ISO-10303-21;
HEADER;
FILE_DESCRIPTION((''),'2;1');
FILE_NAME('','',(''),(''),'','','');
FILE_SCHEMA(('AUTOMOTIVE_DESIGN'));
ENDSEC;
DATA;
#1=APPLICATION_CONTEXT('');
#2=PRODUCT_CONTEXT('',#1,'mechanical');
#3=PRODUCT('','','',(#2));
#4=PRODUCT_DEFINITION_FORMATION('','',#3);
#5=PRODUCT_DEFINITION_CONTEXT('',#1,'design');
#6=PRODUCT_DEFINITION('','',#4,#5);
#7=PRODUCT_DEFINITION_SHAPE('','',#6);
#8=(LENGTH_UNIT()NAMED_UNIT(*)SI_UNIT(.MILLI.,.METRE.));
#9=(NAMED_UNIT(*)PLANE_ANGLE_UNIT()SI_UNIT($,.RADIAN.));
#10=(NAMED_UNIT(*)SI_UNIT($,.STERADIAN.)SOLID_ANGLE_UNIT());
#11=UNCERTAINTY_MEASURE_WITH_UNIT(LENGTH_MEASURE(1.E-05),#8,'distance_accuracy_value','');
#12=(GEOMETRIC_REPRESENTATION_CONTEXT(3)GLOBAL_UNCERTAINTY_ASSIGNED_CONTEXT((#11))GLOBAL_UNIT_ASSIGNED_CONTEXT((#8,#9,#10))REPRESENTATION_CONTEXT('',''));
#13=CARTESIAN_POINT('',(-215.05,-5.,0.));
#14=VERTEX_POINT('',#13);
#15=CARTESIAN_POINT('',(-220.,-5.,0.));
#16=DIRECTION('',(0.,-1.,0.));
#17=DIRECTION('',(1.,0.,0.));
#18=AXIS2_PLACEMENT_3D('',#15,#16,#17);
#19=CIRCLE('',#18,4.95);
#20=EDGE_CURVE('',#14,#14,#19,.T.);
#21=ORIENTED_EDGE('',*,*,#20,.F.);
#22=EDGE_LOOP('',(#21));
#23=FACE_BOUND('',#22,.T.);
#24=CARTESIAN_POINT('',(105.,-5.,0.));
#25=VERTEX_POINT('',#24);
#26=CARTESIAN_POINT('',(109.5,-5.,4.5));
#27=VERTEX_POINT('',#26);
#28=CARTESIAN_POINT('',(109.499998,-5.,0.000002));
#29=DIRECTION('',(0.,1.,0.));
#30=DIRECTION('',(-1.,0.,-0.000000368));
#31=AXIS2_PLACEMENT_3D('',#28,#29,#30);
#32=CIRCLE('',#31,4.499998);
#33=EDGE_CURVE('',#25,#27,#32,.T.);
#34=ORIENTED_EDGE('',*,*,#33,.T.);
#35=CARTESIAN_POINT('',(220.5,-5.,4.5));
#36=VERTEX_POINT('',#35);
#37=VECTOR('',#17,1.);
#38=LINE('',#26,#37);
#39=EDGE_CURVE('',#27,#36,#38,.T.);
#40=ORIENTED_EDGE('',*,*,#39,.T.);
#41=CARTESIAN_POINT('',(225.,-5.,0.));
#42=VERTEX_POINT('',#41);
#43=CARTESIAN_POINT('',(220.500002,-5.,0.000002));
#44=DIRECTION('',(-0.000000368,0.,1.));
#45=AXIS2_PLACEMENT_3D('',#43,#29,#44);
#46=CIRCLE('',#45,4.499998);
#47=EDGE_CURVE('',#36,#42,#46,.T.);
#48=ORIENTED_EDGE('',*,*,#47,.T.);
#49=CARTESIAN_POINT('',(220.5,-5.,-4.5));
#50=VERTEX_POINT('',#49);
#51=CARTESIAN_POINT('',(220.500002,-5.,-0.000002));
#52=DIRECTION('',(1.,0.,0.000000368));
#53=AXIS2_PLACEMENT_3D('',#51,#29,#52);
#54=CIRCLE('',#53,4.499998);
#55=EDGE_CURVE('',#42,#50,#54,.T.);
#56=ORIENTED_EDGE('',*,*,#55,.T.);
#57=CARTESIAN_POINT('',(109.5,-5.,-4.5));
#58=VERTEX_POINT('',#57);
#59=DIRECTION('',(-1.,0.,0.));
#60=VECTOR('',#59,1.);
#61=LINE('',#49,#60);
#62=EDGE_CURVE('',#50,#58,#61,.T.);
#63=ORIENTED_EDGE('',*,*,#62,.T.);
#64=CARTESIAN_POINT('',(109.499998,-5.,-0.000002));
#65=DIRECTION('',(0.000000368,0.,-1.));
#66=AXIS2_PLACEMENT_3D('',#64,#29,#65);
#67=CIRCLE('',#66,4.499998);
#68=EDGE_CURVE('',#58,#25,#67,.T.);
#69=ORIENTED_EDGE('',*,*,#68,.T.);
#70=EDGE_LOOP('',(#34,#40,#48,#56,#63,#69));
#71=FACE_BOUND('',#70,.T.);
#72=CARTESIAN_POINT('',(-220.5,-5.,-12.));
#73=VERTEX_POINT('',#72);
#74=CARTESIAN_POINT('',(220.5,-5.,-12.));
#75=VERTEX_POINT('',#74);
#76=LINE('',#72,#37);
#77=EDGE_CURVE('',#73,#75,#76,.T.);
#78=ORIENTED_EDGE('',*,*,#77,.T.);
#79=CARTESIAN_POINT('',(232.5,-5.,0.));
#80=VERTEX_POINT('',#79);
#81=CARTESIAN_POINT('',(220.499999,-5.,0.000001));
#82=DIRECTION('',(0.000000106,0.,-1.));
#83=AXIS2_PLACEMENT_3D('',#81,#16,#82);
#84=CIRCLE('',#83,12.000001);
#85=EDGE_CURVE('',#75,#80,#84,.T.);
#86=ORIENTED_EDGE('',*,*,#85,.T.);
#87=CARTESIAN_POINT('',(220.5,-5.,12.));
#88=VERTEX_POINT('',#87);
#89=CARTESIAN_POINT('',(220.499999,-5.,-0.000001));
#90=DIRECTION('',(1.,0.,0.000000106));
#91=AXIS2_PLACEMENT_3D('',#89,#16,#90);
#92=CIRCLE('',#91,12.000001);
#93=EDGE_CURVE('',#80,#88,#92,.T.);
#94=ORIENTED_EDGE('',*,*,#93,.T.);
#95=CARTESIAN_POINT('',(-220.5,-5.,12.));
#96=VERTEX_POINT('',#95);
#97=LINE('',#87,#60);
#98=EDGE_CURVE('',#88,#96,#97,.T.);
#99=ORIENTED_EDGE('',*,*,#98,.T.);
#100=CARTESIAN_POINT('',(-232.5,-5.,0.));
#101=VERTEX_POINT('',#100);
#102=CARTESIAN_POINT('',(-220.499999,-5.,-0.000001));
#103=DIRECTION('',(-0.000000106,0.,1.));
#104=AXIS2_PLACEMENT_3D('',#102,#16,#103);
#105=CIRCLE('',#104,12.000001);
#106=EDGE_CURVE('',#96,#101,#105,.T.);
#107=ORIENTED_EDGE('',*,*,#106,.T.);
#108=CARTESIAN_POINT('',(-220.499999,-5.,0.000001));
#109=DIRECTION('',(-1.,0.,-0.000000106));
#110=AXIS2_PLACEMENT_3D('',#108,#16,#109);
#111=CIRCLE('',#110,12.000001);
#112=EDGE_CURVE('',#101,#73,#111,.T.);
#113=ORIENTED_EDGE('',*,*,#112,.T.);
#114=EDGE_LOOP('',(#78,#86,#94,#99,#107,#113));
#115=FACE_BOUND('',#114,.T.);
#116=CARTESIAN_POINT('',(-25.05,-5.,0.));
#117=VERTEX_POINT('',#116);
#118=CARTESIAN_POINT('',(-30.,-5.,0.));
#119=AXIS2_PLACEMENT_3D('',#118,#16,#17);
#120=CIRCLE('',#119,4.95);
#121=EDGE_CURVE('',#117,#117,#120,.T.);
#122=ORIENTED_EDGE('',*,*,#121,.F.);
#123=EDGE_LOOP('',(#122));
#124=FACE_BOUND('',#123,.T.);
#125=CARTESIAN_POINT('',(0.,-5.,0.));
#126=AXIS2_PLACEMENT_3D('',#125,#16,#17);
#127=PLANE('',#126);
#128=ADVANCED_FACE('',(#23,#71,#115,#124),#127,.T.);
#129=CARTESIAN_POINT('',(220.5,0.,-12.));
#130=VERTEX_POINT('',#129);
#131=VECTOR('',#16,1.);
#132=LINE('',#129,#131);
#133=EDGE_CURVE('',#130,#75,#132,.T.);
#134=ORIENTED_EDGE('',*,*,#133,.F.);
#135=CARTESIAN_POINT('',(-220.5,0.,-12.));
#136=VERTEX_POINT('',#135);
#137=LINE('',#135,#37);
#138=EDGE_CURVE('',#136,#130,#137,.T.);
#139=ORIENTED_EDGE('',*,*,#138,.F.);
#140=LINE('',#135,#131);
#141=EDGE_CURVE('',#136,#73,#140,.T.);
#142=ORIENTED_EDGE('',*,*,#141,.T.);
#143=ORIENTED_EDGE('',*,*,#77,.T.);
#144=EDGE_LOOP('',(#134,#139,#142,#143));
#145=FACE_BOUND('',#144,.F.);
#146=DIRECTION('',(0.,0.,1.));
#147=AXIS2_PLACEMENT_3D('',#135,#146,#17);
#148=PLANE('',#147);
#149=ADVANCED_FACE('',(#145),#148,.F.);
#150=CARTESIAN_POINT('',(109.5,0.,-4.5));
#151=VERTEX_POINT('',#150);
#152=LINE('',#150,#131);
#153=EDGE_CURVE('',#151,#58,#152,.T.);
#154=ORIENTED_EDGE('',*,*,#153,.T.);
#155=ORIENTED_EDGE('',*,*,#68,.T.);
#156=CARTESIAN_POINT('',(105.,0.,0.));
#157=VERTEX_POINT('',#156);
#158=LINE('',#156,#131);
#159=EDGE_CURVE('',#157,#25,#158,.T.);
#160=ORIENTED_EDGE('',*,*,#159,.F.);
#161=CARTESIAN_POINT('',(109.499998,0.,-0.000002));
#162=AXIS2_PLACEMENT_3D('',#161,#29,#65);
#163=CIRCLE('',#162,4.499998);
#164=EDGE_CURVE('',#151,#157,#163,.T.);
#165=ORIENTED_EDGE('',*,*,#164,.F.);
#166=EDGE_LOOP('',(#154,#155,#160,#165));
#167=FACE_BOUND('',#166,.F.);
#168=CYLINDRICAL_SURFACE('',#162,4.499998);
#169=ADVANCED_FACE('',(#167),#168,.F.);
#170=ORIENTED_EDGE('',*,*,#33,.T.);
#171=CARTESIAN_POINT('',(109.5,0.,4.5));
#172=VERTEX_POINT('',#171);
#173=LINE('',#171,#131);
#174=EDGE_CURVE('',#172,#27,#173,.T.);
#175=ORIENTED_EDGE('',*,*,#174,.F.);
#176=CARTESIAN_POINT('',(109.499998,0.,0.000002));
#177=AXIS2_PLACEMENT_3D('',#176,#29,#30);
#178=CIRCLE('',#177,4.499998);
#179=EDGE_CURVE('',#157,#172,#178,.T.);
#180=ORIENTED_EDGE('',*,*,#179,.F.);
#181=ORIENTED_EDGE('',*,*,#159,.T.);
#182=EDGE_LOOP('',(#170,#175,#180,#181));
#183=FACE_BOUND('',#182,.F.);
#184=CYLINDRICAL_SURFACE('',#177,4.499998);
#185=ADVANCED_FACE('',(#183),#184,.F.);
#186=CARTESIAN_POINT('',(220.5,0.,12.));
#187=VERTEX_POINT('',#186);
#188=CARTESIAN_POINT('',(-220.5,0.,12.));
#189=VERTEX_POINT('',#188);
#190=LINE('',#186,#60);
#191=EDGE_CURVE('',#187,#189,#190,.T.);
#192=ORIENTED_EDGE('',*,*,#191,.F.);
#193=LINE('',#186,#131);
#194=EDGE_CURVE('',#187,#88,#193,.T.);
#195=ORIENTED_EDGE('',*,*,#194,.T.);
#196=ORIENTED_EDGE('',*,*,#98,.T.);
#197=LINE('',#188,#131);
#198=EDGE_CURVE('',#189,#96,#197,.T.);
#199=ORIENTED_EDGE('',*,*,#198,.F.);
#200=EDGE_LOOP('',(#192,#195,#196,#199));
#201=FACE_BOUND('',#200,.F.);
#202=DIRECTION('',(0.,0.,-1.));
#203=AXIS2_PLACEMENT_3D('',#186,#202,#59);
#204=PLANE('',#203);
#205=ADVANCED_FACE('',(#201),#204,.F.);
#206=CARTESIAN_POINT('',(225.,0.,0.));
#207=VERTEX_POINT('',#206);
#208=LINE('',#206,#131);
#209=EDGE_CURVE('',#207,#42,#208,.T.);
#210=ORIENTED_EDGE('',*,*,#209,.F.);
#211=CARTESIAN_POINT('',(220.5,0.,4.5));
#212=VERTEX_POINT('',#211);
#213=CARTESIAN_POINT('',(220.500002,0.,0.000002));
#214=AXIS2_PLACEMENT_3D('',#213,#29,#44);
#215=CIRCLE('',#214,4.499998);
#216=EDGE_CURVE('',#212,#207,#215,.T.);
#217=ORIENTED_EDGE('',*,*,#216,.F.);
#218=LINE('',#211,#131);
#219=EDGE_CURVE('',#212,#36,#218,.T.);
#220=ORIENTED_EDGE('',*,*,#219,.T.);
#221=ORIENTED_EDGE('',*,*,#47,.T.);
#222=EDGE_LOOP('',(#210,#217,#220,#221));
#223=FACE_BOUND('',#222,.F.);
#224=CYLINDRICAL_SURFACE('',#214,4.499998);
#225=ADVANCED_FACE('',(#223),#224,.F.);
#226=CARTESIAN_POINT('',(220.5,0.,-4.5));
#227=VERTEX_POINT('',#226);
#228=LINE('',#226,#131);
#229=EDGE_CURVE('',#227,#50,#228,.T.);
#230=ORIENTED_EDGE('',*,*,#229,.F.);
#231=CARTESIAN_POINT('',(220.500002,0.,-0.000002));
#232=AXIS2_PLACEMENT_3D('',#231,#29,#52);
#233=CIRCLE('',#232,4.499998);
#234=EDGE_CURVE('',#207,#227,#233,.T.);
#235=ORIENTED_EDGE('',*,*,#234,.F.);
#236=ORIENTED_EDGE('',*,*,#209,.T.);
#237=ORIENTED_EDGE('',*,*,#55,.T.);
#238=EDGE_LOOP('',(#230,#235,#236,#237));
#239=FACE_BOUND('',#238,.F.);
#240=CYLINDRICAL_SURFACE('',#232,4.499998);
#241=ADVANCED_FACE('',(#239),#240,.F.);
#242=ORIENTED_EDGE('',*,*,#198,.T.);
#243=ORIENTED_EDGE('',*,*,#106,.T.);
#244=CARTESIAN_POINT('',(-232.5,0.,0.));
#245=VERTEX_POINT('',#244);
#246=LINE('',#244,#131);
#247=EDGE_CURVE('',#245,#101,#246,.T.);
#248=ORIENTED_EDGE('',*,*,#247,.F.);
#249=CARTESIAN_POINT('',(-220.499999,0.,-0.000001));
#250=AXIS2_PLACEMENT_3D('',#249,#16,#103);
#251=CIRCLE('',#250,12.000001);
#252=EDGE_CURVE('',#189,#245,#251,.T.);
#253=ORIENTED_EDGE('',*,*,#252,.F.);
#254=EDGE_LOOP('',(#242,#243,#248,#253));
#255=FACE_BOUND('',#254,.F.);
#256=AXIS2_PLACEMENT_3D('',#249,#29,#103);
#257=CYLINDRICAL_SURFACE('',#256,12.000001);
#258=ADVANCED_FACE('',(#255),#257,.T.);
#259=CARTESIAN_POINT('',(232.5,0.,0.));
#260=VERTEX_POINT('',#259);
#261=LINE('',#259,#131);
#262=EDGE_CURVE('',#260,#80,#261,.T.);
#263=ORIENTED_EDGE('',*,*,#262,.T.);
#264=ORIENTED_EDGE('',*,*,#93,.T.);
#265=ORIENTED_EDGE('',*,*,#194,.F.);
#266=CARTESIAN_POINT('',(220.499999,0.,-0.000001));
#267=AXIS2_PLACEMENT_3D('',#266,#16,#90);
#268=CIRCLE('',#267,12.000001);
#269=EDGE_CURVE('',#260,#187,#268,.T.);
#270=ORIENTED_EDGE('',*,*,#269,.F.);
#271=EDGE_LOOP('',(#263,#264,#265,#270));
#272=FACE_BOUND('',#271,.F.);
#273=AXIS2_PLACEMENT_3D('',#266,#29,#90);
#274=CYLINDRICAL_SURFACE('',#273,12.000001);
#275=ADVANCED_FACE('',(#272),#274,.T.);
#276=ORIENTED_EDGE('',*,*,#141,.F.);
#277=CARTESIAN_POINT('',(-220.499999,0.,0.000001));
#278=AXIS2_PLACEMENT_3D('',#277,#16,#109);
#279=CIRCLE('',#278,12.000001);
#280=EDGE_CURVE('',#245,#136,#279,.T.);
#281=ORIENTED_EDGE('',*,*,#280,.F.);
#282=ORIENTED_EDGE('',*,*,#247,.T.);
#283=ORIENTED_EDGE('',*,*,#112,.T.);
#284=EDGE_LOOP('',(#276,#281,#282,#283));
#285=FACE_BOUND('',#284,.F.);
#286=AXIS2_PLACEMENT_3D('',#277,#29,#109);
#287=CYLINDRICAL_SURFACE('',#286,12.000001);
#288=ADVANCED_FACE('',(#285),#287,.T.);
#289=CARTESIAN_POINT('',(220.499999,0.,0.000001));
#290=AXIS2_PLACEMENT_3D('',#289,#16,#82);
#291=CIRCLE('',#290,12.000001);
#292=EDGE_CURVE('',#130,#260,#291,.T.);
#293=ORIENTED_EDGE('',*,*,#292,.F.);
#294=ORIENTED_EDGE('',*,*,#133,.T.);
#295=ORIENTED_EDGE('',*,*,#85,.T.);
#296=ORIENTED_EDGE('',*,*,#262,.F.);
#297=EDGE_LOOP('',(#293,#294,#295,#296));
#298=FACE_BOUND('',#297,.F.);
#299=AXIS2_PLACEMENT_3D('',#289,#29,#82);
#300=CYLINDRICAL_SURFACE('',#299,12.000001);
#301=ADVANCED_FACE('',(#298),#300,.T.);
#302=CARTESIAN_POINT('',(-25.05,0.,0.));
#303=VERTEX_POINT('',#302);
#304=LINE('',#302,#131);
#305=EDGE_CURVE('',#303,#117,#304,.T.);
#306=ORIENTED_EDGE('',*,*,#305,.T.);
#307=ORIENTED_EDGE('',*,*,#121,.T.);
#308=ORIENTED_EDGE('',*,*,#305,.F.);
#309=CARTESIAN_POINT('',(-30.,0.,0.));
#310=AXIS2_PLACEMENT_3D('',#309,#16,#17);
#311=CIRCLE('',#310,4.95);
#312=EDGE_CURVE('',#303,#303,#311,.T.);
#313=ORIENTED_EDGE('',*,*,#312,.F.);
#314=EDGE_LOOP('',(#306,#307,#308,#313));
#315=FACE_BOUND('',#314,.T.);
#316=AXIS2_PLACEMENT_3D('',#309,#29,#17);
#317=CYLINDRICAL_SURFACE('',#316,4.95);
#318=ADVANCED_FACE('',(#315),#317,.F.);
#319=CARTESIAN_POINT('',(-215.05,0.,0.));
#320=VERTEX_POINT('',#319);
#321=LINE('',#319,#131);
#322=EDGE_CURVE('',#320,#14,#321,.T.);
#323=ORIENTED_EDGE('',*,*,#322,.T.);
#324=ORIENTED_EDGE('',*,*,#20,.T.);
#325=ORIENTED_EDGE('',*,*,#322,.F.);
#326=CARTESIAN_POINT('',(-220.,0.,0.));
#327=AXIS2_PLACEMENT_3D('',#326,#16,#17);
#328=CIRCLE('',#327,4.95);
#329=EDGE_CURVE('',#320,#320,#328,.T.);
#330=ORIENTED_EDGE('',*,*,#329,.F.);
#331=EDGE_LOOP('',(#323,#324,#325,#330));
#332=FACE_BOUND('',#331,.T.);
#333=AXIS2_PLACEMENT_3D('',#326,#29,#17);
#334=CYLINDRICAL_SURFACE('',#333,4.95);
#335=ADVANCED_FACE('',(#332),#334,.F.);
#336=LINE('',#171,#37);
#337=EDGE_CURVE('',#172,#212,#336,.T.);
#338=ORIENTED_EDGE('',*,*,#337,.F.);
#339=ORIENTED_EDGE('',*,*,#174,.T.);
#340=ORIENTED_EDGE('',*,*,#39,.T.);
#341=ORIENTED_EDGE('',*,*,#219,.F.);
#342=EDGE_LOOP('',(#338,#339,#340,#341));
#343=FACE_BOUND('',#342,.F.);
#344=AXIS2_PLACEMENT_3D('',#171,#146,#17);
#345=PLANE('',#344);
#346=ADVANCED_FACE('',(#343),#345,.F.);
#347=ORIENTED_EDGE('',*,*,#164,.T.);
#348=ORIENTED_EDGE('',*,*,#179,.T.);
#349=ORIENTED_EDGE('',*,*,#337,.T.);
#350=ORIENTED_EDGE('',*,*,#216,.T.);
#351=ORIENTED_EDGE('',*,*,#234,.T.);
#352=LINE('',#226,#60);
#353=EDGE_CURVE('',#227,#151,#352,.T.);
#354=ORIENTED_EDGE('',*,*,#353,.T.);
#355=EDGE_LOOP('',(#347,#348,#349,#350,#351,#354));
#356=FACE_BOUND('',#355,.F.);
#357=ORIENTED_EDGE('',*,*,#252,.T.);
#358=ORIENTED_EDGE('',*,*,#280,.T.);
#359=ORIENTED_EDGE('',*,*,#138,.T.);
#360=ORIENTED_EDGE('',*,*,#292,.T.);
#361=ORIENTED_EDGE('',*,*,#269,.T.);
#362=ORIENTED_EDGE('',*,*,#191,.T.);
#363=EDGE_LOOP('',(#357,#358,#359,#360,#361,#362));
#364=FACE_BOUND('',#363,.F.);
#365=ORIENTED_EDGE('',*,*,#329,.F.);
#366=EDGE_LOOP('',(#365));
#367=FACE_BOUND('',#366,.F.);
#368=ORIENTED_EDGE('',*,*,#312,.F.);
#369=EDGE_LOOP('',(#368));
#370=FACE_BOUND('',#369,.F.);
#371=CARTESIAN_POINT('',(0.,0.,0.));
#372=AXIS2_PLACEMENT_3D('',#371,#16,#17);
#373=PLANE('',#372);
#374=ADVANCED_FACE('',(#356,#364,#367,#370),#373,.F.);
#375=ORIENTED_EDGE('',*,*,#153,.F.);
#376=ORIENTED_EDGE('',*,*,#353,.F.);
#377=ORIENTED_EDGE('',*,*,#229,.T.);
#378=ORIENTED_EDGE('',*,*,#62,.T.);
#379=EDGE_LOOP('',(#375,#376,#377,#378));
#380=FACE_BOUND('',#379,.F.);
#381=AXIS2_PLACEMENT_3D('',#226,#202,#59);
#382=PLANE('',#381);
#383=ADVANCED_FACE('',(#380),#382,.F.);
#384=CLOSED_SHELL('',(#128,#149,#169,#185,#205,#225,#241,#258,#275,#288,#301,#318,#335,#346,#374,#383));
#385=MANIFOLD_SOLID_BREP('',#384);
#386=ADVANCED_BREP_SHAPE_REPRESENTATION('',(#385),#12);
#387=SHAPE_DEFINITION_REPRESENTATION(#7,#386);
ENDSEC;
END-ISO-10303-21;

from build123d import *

# Parameters (mm, degrees)
F0_R     = 4.95
F1_DEPTH = 5


with BuildPart() as f1:
    # F0 (on Front) → F1 (new body)
    with BuildSketch(Plane.XZ):
        with BuildLine():
            Line((-220.5, -12), (220.5, -12))
            ThreePointArc((220.5, -12), (228.985281, -8.485281), (232.5, 0))
            ThreePointArc((232.5, 0), (228.985281, 8.485281), (220.5, 12))
            Line((220.5, 12), (-220.5, 12))
            ThreePointArc((-220.5, 12), (-228.985281, 8.485281), (-232.5, 0))
            ThreePointArc((-232.5, 0), (-228.985281, -8.485281), (-220.5, -12))
        make_face()
        with Locations((-220, 0)):
            Circle(F0_R, mode=Mode.SUBTRACT)
        with Locations((-30, 0)):
            Circle(F0_R, mode=Mode.SUBTRACT)
        with BuildLine():
            ThreePointArc((225, 0), (223.681981, -3.181981), (220.5, -4.5))
            Line((220.5, -4.5), (109.5, -4.5))
            ThreePointArc((109.5, -4.5), (106.318019, -3.181981), (105, 0))
            ThreePointArc((105, 0), (106.318019, 3.181981), (109.5, 4.5))
            Line((109.5, 4.5), (220.5, 4.5))
            ThreePointArc((220.5, 4.5), (223.681981, 3.181981), (225, 0))
        make_face(mode=Mode.SUBTRACT)
    extrude(amount=F1_DEPTH)


solid = f1.part
